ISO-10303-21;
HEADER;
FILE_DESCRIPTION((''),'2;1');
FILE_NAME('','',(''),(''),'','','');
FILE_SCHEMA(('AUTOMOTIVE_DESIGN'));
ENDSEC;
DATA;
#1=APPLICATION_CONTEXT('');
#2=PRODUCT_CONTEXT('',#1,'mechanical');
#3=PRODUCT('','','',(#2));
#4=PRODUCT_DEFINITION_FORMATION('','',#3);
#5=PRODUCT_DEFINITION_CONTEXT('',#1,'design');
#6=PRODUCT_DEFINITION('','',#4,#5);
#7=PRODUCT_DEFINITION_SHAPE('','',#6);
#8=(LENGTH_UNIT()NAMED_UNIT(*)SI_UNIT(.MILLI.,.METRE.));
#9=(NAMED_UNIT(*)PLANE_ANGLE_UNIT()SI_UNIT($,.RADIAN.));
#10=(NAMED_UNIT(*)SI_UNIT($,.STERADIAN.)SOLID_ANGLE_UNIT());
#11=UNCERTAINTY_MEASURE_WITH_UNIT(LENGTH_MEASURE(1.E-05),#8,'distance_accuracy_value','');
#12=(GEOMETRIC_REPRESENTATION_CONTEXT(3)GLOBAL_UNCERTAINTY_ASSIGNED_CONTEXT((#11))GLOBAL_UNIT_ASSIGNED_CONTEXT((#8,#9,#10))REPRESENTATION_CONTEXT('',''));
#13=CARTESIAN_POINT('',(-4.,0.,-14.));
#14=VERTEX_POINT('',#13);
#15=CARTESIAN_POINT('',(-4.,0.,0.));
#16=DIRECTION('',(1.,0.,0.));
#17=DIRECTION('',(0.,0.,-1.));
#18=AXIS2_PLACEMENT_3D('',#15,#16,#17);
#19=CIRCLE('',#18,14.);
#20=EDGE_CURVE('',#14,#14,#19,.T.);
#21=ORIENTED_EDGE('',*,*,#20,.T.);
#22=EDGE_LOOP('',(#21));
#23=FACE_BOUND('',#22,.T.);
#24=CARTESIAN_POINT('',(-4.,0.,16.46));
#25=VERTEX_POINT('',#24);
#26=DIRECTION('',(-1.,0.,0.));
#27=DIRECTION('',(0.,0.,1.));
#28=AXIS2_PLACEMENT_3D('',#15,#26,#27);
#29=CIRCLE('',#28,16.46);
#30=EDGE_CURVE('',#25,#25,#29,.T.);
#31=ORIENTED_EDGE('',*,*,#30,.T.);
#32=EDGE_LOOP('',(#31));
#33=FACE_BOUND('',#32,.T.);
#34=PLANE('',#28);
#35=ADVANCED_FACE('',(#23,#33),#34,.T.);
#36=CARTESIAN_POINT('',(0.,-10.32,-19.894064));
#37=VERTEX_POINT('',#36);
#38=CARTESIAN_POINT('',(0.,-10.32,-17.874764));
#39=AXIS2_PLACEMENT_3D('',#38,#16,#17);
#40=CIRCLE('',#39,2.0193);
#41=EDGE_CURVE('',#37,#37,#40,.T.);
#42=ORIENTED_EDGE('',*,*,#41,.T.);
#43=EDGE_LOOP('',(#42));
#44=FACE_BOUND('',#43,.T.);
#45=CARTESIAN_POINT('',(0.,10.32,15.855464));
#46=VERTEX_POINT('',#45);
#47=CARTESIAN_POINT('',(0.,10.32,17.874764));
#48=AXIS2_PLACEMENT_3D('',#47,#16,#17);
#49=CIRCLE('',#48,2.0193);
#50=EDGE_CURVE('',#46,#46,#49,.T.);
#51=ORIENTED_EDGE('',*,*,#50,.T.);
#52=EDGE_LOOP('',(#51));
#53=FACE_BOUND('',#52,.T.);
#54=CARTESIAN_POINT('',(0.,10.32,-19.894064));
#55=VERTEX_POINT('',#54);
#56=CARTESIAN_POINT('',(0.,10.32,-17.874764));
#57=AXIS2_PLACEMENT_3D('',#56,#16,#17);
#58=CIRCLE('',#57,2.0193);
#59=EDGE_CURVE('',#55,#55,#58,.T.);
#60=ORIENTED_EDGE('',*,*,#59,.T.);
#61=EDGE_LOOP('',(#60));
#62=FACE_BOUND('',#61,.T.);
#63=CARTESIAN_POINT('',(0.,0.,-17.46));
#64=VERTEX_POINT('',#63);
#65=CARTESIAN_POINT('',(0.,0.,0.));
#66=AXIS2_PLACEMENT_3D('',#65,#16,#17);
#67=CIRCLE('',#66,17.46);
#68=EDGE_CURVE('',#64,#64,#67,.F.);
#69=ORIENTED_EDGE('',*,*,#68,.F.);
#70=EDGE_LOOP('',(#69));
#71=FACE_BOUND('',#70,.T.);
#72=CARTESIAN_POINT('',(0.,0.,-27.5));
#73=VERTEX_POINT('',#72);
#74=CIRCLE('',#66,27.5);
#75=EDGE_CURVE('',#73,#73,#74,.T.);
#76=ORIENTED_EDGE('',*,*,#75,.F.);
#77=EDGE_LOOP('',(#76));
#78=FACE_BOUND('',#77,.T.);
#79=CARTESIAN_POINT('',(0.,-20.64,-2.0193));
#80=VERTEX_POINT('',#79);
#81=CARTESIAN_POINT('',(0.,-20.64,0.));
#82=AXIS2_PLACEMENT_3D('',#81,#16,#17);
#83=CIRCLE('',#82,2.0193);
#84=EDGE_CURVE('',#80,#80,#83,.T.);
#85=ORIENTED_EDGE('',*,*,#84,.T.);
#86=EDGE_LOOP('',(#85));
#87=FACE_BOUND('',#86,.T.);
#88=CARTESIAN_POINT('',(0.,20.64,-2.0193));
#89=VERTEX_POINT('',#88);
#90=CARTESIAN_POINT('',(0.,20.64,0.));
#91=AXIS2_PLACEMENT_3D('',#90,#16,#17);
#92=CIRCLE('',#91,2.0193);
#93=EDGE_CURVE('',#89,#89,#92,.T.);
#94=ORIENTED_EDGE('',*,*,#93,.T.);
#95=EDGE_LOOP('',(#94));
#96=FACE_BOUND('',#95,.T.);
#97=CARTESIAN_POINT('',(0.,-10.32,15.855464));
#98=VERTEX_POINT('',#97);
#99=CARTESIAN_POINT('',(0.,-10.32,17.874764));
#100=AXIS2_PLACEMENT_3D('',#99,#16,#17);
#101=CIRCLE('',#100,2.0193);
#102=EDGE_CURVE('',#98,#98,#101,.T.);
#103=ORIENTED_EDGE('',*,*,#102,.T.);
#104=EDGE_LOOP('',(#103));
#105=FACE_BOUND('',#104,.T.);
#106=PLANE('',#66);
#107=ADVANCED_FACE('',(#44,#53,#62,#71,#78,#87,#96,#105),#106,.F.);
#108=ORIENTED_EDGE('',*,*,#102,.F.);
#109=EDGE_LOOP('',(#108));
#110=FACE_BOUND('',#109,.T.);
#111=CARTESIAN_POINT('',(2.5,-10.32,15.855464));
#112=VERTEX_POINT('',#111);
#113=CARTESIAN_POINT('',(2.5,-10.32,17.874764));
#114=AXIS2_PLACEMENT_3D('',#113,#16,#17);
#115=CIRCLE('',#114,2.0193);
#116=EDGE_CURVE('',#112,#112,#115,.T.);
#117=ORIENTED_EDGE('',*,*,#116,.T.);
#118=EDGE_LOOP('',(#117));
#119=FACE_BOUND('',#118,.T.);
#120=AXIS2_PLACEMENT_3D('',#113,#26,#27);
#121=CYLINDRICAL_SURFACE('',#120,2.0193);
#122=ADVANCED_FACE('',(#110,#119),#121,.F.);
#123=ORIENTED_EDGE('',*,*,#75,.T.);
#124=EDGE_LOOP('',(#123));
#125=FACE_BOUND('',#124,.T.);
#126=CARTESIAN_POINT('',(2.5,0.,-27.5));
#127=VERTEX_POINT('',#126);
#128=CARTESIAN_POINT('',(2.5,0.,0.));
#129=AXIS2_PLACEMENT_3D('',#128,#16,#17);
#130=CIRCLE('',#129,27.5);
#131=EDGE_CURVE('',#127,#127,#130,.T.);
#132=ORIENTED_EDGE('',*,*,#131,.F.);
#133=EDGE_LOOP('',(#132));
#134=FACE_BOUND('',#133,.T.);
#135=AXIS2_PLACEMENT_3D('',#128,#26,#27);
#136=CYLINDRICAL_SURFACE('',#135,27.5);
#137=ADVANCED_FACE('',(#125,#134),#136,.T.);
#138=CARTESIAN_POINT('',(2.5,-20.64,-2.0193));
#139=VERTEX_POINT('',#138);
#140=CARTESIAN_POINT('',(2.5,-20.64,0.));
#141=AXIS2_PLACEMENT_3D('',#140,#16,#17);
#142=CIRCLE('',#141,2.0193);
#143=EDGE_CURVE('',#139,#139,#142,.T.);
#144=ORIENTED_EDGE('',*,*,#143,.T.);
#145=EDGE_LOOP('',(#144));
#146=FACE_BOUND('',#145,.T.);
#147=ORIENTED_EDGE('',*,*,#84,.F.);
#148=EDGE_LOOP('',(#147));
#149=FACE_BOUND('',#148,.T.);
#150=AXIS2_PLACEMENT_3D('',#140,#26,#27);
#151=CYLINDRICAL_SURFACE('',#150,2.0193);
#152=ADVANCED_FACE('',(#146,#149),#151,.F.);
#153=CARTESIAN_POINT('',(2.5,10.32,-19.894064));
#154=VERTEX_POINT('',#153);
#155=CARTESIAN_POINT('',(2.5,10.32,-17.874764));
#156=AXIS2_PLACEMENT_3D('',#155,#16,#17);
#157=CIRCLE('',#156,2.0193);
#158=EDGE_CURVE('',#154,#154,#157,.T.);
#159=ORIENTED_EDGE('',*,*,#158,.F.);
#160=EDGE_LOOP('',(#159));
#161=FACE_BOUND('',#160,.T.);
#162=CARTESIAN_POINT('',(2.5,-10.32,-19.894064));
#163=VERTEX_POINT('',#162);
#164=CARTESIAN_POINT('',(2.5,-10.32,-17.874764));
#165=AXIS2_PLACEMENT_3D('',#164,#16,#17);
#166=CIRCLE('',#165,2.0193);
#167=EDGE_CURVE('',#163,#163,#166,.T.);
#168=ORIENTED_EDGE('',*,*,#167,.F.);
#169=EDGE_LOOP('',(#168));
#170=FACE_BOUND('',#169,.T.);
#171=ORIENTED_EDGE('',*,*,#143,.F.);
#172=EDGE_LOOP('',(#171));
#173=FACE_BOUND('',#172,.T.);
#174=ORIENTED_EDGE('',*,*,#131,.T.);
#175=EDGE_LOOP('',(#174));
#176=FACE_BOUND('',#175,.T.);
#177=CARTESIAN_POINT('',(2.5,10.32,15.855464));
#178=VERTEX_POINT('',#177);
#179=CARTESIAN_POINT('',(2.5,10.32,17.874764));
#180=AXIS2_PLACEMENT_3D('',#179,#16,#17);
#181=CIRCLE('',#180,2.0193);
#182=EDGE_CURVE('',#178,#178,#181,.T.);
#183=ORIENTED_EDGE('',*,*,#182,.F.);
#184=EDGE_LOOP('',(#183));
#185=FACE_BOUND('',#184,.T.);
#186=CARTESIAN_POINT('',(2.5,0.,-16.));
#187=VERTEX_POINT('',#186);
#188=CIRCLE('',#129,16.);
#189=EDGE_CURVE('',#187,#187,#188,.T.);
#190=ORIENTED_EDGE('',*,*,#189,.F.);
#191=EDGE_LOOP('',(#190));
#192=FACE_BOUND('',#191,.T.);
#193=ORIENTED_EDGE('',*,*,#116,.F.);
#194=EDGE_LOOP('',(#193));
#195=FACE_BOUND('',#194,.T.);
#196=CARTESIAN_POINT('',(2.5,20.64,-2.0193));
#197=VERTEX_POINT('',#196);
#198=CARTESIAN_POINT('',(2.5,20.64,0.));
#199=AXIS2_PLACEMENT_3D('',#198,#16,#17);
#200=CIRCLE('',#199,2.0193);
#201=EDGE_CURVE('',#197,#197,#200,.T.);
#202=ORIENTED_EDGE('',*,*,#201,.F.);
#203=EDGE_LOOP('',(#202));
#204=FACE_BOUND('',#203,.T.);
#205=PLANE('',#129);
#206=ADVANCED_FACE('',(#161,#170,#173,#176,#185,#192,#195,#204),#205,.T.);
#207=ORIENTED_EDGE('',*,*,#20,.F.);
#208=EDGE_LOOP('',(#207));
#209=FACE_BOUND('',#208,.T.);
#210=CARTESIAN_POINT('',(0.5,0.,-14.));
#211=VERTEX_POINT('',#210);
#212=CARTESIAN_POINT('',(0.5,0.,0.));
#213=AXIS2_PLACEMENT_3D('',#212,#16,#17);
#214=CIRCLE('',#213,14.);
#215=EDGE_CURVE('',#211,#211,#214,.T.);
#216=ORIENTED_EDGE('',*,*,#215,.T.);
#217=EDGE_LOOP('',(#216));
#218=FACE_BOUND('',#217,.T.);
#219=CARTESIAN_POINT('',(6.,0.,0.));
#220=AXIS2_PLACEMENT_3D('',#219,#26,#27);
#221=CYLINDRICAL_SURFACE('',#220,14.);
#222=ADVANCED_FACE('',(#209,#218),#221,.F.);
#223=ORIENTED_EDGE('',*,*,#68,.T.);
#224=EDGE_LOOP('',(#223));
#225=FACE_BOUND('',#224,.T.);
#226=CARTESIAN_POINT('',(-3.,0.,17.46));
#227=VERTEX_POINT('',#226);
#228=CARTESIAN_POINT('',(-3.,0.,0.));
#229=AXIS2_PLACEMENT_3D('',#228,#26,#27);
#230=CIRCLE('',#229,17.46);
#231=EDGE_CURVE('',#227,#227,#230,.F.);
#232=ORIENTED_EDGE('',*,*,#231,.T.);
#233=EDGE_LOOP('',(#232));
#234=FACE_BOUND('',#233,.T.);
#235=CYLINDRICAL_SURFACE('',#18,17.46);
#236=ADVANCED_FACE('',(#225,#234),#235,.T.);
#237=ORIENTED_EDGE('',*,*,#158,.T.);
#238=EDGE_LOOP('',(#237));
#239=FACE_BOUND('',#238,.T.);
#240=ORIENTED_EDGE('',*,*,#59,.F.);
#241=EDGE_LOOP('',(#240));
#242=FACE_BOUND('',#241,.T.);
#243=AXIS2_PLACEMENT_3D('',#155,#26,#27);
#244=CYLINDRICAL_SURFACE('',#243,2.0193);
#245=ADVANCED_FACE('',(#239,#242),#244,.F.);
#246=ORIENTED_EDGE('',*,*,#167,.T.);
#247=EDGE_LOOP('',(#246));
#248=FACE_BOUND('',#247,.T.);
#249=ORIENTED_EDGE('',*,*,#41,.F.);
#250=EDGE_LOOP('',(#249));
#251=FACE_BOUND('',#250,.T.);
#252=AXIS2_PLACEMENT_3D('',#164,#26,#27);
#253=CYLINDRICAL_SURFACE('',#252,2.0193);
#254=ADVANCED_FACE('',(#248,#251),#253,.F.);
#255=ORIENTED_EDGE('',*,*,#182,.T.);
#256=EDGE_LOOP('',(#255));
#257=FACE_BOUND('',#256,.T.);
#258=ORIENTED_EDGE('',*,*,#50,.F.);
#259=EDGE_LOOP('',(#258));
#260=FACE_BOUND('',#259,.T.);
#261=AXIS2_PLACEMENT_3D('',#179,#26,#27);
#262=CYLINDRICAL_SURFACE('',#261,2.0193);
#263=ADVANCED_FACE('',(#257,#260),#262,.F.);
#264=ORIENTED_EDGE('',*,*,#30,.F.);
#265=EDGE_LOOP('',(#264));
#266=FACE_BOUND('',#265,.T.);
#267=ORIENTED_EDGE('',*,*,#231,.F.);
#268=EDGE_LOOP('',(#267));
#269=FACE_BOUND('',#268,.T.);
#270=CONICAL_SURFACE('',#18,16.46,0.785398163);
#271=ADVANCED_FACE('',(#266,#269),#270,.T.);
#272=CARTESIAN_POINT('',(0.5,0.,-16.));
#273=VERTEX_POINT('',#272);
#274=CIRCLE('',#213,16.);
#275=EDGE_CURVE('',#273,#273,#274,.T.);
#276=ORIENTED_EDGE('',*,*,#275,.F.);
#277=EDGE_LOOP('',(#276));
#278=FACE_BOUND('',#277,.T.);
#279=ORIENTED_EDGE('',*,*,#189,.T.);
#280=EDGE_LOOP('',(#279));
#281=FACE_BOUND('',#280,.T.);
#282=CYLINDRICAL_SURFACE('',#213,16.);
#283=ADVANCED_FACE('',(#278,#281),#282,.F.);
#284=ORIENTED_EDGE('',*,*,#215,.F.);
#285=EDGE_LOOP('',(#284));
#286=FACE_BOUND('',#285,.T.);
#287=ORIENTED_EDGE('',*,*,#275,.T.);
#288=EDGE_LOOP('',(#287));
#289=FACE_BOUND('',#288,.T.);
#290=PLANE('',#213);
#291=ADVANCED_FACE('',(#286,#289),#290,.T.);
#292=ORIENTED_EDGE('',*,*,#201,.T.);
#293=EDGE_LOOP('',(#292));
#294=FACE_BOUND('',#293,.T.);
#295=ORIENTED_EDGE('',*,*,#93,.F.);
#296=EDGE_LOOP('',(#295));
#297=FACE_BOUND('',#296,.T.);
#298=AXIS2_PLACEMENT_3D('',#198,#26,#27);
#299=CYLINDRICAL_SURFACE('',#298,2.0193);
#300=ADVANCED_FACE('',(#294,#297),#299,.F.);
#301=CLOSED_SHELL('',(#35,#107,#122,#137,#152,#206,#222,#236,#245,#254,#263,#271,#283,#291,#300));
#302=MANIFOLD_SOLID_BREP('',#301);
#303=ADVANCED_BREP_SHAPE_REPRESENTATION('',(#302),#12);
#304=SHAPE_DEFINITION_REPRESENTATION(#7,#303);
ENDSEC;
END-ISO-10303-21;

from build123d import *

# Parameters (mm, degrees)
SKETCH1_R           = 27.5
SKETCH1_R_2         = 2.0193
BOSS_EXTRUDE1_DEPTH = 2.5
SKETCH2_R           = 17.46
BOSS_EXTRUDE2_DEPTH = 4
CHAMFER5_SIZE       = 1
SKETCH6_R           = 14
CUT_EXTRUDE1_DEPTH  = 10
SKETCH9_R           = 16
CUT_EXTRUDE2_DEPTH  = 2


with BuildPart() as part:
    # Sketch1 → Boss-Extrude1 (new body)
    with BuildSketch(Plane(origin=(0, 0, 0), x_dir=(0, 0, -1), z_dir=(1, 0, 0))):
        Circle(SKETCH1_R)
        with Locations((0, 20.64)):
            Circle(SKETCH1_R_2, mode=Mode.SUBTRACT)
        with Locations((17.874764334, 10.32)):
            Circle(SKETCH1_R_2, mode=Mode.SUBTRACT)
        with Locations((17.874764334, -10.32)):
            Circle(SKETCH1_R_2, mode=Mode.SUBTRACT)
        with Locations((0, -20.64)):
            Circle(SKETCH1_R_2, mode=Mode.SUBTRACT)
        with Locations((-17.874764334, -10.32)):
            Circle(SKETCH1_R_2, mode=Mode.SUBTRACT)
        with Locations((-17.874764334, 10.32)):
            Circle(SKETCH1_R_2, mode=Mode.SUBTRACT)
    extrude(amount=BOSS_EXTRUDE1_DEPTH)

    # Sketch2 → Boss-Extrude2 (add)
    with BuildSketch(Plane.ZY):
        with Locations(Location((0, 0, 0), (0, 0, 180))):
            Circle(SKETCH2_R)
    extrude(amount=BOSS_EXTRUDE2_DEPTH)

    # Chamfer5
    chamfer5_edges = [part.edges().sort_by_distance(p)[0] for p in [
        (-4, 0, 17.46),
    ]]
    chamfer(chamfer5_edges, length=CHAMFER5_SIZE)

    # Sketch6 → Cut-Extrude1 (cut)
    with BuildSketch(Plane(origin=(-4, 0, 0), x_dir=(0, 0, -1), z_dir=(1, 0, 0))):
        Circle(SKETCH6_R)
    extrude(amount=CUT_EXTRUDE1_DEPTH, mode=Mode.SUBTRACT)

    # Sketch9 → Cut-Extrude2 (cut)
    with BuildSketch(Plane(origin=(2.5, 0, 0), x_dir=(0, 0, -1), z_dir=(1, 0, 0))):
        Circle(SKETCH9_R)
    extrude(amount=-CUT_EXTRUDE2_DEPTH, mode=Mode.SUBTRACT)


solid = part.part
